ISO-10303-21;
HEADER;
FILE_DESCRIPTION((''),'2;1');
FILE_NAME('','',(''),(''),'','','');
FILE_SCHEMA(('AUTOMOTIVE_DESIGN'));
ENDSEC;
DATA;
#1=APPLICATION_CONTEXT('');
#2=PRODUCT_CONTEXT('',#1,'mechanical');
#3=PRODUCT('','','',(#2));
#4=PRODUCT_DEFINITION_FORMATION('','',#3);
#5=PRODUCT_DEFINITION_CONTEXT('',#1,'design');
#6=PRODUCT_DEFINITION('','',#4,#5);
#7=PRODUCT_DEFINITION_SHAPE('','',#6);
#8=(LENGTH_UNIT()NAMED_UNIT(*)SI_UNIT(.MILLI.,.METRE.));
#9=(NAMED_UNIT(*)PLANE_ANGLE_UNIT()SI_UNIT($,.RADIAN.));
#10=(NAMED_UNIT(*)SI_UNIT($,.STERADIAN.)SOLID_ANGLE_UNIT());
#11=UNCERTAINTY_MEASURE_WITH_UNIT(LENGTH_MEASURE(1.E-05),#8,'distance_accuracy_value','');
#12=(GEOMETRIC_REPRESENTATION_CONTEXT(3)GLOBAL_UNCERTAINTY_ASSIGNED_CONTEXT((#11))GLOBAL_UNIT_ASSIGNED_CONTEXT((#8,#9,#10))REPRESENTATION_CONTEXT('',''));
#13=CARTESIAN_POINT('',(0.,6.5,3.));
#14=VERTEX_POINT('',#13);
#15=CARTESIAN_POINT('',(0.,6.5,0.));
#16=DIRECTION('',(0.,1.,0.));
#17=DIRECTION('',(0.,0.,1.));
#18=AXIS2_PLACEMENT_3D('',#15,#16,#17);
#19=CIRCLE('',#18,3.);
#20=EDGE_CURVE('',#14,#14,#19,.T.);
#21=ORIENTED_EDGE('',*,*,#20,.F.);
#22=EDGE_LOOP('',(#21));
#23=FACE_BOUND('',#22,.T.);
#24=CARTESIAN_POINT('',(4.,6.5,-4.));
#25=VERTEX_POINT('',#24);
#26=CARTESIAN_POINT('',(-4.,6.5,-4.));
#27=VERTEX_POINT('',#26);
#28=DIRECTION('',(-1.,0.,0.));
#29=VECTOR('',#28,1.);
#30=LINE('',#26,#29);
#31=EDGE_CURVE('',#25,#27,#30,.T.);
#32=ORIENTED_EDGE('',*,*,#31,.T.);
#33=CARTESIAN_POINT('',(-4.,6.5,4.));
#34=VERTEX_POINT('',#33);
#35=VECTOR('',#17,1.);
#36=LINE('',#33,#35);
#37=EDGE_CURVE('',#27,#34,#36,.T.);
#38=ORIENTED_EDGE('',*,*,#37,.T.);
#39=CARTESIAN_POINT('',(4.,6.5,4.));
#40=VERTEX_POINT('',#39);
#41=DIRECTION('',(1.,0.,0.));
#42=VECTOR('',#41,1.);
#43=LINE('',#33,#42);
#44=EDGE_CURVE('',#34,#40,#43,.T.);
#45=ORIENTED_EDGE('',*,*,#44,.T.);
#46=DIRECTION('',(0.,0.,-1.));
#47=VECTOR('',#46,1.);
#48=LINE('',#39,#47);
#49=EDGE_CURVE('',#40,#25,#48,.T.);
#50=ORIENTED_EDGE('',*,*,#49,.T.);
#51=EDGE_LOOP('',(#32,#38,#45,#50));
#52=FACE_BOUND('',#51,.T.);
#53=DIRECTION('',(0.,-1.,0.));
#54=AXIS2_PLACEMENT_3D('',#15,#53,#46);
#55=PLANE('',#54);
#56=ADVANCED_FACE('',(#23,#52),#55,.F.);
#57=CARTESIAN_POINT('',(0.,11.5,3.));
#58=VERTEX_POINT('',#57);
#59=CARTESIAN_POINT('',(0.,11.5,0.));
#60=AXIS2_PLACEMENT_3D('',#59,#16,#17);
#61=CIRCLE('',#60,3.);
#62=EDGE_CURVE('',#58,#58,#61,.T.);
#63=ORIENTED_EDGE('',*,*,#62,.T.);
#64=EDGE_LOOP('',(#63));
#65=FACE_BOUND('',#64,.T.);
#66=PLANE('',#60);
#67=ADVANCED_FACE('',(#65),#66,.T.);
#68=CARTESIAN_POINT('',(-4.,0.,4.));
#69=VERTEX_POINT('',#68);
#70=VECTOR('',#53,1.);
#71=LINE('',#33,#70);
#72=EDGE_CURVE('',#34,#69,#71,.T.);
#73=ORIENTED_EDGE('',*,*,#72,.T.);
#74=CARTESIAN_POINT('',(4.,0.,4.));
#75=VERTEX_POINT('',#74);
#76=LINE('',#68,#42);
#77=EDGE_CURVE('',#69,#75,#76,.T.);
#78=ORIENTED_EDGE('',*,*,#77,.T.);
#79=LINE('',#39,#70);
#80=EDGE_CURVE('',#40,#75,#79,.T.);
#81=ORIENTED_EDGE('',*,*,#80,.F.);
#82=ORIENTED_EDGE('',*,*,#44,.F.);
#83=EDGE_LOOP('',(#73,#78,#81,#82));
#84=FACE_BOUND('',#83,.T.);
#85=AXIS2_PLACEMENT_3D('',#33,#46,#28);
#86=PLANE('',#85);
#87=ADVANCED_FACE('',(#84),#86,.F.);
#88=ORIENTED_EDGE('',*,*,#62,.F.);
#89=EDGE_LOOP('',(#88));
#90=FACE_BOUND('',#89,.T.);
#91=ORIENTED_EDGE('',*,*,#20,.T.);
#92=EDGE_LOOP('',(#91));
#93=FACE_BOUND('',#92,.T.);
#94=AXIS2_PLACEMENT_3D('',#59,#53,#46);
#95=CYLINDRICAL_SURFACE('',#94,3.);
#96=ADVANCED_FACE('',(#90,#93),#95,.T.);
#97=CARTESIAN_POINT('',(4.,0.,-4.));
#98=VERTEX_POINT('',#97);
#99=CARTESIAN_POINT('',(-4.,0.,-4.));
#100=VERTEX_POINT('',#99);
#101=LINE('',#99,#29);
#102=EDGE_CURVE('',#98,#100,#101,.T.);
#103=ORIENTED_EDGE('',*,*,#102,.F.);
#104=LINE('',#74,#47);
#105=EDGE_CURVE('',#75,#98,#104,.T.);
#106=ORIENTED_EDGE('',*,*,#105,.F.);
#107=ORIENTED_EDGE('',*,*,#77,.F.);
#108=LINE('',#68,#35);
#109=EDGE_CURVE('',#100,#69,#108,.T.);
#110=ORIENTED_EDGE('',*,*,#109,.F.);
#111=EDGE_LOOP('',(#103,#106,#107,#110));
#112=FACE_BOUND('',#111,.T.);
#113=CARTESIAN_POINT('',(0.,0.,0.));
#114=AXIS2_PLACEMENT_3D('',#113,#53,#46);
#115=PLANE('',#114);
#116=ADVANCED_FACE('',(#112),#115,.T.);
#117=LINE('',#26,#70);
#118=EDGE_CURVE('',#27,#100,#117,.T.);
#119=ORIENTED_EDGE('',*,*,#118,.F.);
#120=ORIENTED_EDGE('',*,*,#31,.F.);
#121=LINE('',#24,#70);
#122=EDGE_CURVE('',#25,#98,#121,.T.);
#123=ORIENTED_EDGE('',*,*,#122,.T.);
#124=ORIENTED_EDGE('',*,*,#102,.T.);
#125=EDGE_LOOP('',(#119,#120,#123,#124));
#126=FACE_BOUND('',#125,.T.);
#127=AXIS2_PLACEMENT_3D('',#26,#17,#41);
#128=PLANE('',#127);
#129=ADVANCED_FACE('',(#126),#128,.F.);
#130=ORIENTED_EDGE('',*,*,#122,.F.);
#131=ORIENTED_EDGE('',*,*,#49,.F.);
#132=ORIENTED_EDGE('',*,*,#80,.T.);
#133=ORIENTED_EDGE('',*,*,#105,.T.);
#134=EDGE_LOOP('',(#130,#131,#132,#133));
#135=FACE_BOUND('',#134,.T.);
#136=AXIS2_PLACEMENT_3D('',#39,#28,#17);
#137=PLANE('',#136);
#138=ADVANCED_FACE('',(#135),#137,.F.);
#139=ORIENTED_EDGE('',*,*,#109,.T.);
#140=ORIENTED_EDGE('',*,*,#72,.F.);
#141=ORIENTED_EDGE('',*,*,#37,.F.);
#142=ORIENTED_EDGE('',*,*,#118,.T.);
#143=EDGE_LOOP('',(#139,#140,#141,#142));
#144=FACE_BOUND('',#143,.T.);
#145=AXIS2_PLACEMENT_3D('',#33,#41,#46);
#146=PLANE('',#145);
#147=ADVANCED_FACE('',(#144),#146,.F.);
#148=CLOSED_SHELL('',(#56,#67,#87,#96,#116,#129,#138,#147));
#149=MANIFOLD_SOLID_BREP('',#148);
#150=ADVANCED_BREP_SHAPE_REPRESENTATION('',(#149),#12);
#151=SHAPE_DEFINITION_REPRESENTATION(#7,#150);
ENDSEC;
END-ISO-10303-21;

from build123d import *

# Parameters (mm, degrees)
SZKIC1_W                    = 8
SZKIC1_H                    = 8
DODANIE_WYCI_GNI_CIE1_DEPTH = 6.5
SZKIC2_R                    = 3
DODANIE_WYCI_GNI_CIE2_DEPTH = 5


with BuildPart() as part:
    # Szkic1 → Dodanie-wyciągnięcie1 (new body)
    with BuildSketch(Plane(origin=(0, 0, 0), x_dir=(1, 0, 0), z_dir=(0, 1, 0))):
        Rectangle(SZKIC1_W, SZKIC1_H)
    extrude(amount=DODANIE_WYCI_GNI_CIE1_DEPTH)

    # Szkic2 → Dodanie-wyciągnięcie2 (add)
    with BuildSketch(Plane(origin=(0, 6.5, 0), x_dir=(1, 0, 0), z_dir=(0, 1, 0))):
        with Locations(Location((0, 0, 0), (0, 0, 270))):
            Circle(SZKIC2_R)
    extrude(amount=DODANIE_WYCI_GNI_CIE2_DEPTH)


solid = part.part
